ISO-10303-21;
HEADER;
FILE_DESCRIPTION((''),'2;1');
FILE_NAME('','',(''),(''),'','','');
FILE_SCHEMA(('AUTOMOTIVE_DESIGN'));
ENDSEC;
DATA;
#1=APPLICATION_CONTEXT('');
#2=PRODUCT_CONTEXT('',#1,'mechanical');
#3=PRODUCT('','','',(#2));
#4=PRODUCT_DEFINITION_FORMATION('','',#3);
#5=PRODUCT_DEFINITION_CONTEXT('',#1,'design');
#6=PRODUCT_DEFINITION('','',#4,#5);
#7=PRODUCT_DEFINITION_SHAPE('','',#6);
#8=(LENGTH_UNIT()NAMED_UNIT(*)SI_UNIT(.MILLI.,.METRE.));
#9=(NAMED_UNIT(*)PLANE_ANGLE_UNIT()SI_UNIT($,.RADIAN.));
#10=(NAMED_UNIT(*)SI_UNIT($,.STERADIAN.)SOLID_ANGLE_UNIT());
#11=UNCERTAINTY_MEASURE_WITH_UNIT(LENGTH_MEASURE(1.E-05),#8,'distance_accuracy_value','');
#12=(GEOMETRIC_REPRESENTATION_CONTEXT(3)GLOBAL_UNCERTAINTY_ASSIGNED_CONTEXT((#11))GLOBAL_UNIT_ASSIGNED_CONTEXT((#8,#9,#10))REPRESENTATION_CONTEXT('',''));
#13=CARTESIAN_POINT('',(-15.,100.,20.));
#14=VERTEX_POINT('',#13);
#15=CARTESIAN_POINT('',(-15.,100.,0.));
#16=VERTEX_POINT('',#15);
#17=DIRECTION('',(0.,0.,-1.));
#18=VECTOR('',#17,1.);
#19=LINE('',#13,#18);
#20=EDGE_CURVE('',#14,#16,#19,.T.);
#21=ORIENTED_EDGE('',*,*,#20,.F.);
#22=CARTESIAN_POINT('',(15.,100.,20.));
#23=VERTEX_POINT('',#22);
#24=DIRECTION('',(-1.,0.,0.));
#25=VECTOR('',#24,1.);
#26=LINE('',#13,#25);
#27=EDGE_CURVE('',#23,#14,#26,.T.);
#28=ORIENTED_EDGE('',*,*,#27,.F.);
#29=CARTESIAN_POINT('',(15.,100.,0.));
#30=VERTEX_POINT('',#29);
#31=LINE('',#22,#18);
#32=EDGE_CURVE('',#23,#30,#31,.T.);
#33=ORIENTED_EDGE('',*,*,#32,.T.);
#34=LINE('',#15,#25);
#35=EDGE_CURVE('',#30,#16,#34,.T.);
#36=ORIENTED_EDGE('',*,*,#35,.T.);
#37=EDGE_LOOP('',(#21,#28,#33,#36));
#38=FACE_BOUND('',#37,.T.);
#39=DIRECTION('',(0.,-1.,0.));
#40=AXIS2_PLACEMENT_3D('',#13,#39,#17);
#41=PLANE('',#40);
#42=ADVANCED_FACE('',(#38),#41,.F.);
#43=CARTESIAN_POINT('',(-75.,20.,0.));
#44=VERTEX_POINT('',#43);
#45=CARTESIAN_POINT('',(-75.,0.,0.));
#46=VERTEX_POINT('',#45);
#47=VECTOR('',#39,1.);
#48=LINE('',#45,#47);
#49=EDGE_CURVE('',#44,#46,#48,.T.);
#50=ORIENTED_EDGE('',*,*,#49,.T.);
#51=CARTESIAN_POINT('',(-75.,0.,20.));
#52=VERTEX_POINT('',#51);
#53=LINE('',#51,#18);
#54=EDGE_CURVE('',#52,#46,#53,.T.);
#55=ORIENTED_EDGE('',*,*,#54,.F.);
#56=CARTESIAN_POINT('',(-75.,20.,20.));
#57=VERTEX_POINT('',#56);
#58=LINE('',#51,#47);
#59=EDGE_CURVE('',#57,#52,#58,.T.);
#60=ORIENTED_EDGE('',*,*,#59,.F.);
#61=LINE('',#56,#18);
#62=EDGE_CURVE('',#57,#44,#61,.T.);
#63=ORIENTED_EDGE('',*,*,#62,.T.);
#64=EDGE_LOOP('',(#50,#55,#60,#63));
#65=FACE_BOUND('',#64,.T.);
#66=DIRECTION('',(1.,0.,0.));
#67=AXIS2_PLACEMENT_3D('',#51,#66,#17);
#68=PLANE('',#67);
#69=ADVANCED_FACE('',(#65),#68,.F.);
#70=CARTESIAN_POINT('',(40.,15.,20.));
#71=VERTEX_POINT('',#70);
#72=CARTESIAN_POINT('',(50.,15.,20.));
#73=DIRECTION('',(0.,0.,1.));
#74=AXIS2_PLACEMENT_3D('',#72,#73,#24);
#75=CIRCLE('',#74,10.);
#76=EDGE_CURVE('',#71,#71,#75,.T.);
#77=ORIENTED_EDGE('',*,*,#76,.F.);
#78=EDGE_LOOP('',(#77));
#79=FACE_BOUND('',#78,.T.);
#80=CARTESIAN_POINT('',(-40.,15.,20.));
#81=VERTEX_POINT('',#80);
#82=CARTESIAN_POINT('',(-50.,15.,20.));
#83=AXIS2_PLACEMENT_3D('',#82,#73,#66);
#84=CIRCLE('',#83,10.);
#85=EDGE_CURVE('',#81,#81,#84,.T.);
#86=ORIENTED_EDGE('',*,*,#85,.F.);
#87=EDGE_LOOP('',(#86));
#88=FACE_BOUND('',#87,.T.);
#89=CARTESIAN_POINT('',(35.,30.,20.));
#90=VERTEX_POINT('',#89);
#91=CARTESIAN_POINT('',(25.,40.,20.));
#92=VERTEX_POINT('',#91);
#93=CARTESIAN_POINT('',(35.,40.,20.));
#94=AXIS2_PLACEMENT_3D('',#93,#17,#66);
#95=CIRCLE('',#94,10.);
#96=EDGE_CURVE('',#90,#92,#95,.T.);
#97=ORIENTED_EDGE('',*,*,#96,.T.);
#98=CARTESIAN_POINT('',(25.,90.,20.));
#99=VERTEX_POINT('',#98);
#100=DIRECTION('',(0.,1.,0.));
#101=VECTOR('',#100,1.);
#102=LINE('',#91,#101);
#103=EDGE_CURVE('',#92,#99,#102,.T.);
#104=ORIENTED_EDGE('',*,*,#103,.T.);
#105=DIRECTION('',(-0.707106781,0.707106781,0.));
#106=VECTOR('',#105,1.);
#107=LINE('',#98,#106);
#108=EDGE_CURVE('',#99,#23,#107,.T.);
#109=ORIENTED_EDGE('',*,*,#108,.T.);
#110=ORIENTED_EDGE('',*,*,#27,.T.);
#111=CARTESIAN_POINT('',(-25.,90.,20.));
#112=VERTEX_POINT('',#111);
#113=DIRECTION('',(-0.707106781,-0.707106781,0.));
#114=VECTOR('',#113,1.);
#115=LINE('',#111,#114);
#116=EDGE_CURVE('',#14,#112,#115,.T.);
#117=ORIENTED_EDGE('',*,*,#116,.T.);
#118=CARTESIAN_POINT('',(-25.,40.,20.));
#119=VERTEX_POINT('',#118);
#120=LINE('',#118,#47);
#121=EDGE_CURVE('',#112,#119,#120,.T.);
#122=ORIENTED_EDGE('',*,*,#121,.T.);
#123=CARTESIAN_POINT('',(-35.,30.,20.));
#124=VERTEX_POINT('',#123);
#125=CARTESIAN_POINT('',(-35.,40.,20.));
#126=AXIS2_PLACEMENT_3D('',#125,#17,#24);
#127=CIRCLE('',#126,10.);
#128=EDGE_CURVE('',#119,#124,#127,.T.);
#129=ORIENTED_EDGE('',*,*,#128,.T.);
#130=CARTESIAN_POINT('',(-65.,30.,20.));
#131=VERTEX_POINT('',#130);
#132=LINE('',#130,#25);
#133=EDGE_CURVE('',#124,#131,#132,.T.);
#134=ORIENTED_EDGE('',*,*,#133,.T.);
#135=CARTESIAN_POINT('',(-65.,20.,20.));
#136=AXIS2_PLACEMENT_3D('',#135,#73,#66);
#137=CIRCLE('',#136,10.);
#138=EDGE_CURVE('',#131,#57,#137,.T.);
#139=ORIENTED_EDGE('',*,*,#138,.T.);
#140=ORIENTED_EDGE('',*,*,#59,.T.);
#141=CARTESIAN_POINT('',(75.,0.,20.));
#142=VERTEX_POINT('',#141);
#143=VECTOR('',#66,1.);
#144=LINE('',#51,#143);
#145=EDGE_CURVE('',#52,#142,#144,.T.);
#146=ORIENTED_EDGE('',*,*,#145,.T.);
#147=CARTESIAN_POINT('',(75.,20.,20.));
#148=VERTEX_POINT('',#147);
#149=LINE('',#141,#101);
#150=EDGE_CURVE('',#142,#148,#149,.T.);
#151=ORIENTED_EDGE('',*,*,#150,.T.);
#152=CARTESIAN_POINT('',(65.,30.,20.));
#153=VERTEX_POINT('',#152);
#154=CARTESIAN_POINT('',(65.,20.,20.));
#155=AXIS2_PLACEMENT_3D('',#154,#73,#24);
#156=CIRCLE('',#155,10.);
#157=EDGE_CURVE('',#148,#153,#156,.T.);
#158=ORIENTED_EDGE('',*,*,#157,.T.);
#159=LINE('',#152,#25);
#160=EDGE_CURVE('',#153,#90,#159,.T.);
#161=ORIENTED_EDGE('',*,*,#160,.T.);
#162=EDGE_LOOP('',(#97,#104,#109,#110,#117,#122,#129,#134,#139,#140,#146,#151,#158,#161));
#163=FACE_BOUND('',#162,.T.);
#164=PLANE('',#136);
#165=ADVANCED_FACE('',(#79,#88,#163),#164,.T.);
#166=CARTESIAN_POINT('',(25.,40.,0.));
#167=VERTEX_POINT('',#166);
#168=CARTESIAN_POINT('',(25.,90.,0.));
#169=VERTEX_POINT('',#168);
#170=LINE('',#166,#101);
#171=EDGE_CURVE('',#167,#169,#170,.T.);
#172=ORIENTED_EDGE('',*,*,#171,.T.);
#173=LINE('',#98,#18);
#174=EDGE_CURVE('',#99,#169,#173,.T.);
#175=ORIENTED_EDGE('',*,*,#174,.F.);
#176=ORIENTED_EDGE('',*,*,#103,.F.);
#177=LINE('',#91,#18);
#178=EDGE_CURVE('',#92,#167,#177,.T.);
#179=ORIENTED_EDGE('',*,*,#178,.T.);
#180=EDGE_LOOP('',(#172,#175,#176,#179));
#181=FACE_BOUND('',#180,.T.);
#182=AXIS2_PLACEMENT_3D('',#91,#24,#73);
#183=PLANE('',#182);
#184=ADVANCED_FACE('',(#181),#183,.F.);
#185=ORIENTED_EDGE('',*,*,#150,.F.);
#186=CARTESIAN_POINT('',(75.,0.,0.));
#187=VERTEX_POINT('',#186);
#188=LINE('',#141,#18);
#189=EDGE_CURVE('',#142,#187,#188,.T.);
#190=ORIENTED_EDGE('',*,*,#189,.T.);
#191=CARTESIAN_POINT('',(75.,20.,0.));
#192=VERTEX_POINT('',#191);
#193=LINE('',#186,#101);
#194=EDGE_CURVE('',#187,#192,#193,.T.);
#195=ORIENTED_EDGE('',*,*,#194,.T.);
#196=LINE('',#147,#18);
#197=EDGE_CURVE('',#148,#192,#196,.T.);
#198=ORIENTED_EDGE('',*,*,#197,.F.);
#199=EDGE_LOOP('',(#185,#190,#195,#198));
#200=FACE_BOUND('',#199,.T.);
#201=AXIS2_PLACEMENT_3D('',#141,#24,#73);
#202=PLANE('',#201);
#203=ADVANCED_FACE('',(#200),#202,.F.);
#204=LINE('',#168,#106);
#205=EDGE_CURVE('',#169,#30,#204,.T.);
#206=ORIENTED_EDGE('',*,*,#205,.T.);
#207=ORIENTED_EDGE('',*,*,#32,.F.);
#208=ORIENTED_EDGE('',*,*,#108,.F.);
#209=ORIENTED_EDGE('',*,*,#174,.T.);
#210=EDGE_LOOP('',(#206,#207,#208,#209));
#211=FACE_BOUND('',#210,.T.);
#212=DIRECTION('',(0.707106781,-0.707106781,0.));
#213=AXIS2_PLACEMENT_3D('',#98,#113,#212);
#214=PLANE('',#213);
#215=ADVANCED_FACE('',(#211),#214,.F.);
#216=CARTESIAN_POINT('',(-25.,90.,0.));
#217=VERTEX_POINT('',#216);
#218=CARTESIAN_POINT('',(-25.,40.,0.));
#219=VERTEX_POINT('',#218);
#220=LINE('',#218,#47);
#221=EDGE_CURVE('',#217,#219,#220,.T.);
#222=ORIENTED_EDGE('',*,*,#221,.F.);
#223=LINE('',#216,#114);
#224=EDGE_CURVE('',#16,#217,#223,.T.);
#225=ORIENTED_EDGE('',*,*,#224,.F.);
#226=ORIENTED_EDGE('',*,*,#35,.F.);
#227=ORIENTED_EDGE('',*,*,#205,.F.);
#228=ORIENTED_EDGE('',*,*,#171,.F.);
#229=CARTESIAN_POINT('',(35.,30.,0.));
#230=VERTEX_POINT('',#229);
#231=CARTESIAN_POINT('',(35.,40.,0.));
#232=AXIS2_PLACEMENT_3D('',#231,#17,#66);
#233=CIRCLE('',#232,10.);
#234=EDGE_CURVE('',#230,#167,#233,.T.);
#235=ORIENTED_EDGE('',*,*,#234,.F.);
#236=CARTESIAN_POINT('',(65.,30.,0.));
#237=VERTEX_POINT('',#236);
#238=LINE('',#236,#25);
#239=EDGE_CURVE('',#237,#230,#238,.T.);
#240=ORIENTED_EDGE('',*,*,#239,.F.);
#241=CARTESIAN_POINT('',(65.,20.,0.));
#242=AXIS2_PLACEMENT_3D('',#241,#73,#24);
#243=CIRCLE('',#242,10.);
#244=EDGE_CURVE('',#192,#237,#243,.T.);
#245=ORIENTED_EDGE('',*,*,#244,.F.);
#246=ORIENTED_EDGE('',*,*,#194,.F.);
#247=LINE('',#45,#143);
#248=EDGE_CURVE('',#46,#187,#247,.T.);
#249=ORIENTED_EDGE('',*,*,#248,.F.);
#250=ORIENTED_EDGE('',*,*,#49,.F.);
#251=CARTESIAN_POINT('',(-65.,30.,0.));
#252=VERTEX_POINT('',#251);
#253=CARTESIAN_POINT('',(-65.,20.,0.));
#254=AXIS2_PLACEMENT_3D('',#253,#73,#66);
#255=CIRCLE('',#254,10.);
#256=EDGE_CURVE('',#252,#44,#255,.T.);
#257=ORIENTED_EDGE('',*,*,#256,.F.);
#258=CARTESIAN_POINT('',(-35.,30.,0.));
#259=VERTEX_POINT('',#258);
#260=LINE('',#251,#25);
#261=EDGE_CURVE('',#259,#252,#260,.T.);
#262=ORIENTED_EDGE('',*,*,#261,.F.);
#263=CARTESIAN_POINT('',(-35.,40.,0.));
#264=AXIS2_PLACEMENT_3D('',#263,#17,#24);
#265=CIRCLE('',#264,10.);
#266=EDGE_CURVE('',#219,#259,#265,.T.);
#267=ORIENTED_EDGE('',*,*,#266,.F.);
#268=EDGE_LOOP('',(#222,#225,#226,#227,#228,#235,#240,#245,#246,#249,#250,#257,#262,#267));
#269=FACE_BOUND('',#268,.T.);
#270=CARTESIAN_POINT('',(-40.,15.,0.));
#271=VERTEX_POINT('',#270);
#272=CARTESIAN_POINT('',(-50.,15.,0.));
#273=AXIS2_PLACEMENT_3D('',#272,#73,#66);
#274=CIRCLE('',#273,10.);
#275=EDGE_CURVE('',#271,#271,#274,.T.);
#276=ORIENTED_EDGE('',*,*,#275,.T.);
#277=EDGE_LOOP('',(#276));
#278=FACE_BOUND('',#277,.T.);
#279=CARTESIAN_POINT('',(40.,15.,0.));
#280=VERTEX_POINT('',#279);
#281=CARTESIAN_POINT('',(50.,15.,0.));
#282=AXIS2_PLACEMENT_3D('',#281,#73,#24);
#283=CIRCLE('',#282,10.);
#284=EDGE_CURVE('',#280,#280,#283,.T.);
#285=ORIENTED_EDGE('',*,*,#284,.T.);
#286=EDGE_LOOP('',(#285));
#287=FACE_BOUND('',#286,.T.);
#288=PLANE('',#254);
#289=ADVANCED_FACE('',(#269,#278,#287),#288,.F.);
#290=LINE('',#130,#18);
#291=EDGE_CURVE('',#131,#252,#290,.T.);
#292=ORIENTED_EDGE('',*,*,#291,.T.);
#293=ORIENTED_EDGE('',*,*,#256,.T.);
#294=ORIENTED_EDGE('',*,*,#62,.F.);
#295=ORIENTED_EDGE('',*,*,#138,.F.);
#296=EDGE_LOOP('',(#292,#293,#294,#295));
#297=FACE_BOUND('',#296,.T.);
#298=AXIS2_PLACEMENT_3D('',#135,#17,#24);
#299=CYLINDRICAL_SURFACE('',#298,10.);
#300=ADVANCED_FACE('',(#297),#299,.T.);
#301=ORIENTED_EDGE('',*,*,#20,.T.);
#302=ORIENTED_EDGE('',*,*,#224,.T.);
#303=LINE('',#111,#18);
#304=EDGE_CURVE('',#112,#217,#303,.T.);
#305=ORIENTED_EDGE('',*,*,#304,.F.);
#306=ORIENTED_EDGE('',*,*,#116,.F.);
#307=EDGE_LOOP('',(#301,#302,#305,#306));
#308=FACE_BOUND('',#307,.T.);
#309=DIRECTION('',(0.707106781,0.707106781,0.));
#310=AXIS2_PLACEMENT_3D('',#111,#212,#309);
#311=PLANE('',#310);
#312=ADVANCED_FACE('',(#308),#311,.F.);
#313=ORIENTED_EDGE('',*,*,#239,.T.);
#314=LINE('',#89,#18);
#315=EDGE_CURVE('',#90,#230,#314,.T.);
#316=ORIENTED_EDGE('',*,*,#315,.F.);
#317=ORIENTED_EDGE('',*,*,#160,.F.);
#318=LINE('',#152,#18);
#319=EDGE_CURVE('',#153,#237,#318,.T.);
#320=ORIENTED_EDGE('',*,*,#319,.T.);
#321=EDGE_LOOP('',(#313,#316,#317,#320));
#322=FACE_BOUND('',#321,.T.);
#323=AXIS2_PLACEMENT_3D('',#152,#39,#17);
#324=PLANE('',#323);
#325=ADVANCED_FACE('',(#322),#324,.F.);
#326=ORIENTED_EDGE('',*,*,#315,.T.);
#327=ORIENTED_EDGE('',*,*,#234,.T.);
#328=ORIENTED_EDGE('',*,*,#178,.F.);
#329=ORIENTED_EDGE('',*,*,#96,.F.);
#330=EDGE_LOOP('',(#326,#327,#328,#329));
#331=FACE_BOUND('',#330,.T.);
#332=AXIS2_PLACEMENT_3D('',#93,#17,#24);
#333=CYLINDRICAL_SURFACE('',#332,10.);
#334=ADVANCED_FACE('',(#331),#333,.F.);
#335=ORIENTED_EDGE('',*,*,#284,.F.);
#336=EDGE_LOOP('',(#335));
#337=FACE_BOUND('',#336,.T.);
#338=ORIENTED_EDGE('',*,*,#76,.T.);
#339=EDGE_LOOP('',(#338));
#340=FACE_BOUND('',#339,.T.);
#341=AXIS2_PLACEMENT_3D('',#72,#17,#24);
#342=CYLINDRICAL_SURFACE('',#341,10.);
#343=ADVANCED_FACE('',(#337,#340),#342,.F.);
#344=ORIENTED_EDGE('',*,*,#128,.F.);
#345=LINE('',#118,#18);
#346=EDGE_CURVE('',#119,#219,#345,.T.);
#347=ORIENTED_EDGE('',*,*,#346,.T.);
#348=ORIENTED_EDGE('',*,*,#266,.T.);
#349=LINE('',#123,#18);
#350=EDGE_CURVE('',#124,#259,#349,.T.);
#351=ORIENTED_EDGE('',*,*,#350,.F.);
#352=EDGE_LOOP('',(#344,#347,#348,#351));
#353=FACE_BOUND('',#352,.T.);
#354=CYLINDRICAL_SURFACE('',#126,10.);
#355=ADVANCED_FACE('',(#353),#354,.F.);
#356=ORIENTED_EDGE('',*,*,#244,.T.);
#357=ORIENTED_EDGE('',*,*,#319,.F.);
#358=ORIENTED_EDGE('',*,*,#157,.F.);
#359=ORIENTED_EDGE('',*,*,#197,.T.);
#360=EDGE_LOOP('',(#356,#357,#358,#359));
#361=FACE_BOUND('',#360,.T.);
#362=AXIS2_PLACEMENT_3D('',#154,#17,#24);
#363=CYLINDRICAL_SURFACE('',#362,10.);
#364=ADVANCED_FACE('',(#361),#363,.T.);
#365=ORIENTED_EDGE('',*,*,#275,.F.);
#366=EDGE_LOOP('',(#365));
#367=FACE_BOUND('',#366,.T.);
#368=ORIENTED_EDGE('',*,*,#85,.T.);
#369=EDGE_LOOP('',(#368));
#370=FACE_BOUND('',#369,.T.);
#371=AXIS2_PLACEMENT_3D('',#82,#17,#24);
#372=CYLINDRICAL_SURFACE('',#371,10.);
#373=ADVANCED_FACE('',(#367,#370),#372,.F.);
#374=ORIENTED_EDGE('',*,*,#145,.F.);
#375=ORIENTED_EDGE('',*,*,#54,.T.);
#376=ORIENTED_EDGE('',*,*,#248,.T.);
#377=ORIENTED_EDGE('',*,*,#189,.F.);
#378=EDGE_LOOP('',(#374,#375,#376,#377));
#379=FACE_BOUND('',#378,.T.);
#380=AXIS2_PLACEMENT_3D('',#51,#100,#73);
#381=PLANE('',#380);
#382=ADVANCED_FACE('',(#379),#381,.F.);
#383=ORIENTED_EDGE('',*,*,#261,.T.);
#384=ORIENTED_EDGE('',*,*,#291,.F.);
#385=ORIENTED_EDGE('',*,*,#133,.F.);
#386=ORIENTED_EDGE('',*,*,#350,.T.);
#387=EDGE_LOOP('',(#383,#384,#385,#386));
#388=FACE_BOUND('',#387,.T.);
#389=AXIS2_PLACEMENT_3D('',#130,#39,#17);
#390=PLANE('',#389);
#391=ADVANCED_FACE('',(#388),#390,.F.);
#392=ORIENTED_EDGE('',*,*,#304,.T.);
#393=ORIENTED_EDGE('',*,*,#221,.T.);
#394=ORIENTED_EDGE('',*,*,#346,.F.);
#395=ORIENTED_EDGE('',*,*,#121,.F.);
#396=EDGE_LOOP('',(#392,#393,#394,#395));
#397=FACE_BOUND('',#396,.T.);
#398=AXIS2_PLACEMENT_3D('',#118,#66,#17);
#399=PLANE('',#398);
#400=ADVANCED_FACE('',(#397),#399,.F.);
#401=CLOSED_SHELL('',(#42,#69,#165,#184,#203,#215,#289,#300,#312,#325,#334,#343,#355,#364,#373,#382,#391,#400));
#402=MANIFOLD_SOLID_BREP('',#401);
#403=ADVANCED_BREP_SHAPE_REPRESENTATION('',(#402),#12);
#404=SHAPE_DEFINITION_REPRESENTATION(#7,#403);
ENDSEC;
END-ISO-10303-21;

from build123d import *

# Parameters (mm, degrees)
SKETCH1_R           = 10
BOSS_EXTRUDE1_DEPTH = 20


with BuildPart() as part:
    # Sketch1 → Boss-Extrude1 (new body)
    with BuildSketch(Plane.XY):
        with BuildLine():
            Line((-75, 0), (75, 0))
            Line((75, 0), (75, 20))
            ThreePointArc((75, 20), (72.071067812, 27.071067812), (65, 30))
            Line((65, 30), (35, 30))
            ThreePointArc((35, 30), (27.928932188, 32.928932188), (25, 40))
            Line((25, 40), (25, 90))
            Line((25, 90), (15, 100))
            Line((15, 100), (-15, 100))
            Line((-15, 100), (-25, 90))
            Line((-25, 90), (-25, 40))
            ThreePointArc((-25, 40), (-27.928932188, 32.928932188), (-35, 30))
            Line((-35, 30), (-65, 30))
            ThreePointArc((-65, 30), (-72.071067812, 27.071067812), (-75, 20))
            Line((-75, 20), (-75, 0))
        make_face()
        with Locations((-50, 15)):
            Circle(SKETCH1_R, mode=Mode.SUBTRACT)
        with Locations(Location((50, 15, 0), (0, 0, 180))):
            Circle(SKETCH1_R, mode=Mode.SUBTRACT)
    extrude(amount=BOSS_EXTRUDE1_DEPTH)


solid = part.part
